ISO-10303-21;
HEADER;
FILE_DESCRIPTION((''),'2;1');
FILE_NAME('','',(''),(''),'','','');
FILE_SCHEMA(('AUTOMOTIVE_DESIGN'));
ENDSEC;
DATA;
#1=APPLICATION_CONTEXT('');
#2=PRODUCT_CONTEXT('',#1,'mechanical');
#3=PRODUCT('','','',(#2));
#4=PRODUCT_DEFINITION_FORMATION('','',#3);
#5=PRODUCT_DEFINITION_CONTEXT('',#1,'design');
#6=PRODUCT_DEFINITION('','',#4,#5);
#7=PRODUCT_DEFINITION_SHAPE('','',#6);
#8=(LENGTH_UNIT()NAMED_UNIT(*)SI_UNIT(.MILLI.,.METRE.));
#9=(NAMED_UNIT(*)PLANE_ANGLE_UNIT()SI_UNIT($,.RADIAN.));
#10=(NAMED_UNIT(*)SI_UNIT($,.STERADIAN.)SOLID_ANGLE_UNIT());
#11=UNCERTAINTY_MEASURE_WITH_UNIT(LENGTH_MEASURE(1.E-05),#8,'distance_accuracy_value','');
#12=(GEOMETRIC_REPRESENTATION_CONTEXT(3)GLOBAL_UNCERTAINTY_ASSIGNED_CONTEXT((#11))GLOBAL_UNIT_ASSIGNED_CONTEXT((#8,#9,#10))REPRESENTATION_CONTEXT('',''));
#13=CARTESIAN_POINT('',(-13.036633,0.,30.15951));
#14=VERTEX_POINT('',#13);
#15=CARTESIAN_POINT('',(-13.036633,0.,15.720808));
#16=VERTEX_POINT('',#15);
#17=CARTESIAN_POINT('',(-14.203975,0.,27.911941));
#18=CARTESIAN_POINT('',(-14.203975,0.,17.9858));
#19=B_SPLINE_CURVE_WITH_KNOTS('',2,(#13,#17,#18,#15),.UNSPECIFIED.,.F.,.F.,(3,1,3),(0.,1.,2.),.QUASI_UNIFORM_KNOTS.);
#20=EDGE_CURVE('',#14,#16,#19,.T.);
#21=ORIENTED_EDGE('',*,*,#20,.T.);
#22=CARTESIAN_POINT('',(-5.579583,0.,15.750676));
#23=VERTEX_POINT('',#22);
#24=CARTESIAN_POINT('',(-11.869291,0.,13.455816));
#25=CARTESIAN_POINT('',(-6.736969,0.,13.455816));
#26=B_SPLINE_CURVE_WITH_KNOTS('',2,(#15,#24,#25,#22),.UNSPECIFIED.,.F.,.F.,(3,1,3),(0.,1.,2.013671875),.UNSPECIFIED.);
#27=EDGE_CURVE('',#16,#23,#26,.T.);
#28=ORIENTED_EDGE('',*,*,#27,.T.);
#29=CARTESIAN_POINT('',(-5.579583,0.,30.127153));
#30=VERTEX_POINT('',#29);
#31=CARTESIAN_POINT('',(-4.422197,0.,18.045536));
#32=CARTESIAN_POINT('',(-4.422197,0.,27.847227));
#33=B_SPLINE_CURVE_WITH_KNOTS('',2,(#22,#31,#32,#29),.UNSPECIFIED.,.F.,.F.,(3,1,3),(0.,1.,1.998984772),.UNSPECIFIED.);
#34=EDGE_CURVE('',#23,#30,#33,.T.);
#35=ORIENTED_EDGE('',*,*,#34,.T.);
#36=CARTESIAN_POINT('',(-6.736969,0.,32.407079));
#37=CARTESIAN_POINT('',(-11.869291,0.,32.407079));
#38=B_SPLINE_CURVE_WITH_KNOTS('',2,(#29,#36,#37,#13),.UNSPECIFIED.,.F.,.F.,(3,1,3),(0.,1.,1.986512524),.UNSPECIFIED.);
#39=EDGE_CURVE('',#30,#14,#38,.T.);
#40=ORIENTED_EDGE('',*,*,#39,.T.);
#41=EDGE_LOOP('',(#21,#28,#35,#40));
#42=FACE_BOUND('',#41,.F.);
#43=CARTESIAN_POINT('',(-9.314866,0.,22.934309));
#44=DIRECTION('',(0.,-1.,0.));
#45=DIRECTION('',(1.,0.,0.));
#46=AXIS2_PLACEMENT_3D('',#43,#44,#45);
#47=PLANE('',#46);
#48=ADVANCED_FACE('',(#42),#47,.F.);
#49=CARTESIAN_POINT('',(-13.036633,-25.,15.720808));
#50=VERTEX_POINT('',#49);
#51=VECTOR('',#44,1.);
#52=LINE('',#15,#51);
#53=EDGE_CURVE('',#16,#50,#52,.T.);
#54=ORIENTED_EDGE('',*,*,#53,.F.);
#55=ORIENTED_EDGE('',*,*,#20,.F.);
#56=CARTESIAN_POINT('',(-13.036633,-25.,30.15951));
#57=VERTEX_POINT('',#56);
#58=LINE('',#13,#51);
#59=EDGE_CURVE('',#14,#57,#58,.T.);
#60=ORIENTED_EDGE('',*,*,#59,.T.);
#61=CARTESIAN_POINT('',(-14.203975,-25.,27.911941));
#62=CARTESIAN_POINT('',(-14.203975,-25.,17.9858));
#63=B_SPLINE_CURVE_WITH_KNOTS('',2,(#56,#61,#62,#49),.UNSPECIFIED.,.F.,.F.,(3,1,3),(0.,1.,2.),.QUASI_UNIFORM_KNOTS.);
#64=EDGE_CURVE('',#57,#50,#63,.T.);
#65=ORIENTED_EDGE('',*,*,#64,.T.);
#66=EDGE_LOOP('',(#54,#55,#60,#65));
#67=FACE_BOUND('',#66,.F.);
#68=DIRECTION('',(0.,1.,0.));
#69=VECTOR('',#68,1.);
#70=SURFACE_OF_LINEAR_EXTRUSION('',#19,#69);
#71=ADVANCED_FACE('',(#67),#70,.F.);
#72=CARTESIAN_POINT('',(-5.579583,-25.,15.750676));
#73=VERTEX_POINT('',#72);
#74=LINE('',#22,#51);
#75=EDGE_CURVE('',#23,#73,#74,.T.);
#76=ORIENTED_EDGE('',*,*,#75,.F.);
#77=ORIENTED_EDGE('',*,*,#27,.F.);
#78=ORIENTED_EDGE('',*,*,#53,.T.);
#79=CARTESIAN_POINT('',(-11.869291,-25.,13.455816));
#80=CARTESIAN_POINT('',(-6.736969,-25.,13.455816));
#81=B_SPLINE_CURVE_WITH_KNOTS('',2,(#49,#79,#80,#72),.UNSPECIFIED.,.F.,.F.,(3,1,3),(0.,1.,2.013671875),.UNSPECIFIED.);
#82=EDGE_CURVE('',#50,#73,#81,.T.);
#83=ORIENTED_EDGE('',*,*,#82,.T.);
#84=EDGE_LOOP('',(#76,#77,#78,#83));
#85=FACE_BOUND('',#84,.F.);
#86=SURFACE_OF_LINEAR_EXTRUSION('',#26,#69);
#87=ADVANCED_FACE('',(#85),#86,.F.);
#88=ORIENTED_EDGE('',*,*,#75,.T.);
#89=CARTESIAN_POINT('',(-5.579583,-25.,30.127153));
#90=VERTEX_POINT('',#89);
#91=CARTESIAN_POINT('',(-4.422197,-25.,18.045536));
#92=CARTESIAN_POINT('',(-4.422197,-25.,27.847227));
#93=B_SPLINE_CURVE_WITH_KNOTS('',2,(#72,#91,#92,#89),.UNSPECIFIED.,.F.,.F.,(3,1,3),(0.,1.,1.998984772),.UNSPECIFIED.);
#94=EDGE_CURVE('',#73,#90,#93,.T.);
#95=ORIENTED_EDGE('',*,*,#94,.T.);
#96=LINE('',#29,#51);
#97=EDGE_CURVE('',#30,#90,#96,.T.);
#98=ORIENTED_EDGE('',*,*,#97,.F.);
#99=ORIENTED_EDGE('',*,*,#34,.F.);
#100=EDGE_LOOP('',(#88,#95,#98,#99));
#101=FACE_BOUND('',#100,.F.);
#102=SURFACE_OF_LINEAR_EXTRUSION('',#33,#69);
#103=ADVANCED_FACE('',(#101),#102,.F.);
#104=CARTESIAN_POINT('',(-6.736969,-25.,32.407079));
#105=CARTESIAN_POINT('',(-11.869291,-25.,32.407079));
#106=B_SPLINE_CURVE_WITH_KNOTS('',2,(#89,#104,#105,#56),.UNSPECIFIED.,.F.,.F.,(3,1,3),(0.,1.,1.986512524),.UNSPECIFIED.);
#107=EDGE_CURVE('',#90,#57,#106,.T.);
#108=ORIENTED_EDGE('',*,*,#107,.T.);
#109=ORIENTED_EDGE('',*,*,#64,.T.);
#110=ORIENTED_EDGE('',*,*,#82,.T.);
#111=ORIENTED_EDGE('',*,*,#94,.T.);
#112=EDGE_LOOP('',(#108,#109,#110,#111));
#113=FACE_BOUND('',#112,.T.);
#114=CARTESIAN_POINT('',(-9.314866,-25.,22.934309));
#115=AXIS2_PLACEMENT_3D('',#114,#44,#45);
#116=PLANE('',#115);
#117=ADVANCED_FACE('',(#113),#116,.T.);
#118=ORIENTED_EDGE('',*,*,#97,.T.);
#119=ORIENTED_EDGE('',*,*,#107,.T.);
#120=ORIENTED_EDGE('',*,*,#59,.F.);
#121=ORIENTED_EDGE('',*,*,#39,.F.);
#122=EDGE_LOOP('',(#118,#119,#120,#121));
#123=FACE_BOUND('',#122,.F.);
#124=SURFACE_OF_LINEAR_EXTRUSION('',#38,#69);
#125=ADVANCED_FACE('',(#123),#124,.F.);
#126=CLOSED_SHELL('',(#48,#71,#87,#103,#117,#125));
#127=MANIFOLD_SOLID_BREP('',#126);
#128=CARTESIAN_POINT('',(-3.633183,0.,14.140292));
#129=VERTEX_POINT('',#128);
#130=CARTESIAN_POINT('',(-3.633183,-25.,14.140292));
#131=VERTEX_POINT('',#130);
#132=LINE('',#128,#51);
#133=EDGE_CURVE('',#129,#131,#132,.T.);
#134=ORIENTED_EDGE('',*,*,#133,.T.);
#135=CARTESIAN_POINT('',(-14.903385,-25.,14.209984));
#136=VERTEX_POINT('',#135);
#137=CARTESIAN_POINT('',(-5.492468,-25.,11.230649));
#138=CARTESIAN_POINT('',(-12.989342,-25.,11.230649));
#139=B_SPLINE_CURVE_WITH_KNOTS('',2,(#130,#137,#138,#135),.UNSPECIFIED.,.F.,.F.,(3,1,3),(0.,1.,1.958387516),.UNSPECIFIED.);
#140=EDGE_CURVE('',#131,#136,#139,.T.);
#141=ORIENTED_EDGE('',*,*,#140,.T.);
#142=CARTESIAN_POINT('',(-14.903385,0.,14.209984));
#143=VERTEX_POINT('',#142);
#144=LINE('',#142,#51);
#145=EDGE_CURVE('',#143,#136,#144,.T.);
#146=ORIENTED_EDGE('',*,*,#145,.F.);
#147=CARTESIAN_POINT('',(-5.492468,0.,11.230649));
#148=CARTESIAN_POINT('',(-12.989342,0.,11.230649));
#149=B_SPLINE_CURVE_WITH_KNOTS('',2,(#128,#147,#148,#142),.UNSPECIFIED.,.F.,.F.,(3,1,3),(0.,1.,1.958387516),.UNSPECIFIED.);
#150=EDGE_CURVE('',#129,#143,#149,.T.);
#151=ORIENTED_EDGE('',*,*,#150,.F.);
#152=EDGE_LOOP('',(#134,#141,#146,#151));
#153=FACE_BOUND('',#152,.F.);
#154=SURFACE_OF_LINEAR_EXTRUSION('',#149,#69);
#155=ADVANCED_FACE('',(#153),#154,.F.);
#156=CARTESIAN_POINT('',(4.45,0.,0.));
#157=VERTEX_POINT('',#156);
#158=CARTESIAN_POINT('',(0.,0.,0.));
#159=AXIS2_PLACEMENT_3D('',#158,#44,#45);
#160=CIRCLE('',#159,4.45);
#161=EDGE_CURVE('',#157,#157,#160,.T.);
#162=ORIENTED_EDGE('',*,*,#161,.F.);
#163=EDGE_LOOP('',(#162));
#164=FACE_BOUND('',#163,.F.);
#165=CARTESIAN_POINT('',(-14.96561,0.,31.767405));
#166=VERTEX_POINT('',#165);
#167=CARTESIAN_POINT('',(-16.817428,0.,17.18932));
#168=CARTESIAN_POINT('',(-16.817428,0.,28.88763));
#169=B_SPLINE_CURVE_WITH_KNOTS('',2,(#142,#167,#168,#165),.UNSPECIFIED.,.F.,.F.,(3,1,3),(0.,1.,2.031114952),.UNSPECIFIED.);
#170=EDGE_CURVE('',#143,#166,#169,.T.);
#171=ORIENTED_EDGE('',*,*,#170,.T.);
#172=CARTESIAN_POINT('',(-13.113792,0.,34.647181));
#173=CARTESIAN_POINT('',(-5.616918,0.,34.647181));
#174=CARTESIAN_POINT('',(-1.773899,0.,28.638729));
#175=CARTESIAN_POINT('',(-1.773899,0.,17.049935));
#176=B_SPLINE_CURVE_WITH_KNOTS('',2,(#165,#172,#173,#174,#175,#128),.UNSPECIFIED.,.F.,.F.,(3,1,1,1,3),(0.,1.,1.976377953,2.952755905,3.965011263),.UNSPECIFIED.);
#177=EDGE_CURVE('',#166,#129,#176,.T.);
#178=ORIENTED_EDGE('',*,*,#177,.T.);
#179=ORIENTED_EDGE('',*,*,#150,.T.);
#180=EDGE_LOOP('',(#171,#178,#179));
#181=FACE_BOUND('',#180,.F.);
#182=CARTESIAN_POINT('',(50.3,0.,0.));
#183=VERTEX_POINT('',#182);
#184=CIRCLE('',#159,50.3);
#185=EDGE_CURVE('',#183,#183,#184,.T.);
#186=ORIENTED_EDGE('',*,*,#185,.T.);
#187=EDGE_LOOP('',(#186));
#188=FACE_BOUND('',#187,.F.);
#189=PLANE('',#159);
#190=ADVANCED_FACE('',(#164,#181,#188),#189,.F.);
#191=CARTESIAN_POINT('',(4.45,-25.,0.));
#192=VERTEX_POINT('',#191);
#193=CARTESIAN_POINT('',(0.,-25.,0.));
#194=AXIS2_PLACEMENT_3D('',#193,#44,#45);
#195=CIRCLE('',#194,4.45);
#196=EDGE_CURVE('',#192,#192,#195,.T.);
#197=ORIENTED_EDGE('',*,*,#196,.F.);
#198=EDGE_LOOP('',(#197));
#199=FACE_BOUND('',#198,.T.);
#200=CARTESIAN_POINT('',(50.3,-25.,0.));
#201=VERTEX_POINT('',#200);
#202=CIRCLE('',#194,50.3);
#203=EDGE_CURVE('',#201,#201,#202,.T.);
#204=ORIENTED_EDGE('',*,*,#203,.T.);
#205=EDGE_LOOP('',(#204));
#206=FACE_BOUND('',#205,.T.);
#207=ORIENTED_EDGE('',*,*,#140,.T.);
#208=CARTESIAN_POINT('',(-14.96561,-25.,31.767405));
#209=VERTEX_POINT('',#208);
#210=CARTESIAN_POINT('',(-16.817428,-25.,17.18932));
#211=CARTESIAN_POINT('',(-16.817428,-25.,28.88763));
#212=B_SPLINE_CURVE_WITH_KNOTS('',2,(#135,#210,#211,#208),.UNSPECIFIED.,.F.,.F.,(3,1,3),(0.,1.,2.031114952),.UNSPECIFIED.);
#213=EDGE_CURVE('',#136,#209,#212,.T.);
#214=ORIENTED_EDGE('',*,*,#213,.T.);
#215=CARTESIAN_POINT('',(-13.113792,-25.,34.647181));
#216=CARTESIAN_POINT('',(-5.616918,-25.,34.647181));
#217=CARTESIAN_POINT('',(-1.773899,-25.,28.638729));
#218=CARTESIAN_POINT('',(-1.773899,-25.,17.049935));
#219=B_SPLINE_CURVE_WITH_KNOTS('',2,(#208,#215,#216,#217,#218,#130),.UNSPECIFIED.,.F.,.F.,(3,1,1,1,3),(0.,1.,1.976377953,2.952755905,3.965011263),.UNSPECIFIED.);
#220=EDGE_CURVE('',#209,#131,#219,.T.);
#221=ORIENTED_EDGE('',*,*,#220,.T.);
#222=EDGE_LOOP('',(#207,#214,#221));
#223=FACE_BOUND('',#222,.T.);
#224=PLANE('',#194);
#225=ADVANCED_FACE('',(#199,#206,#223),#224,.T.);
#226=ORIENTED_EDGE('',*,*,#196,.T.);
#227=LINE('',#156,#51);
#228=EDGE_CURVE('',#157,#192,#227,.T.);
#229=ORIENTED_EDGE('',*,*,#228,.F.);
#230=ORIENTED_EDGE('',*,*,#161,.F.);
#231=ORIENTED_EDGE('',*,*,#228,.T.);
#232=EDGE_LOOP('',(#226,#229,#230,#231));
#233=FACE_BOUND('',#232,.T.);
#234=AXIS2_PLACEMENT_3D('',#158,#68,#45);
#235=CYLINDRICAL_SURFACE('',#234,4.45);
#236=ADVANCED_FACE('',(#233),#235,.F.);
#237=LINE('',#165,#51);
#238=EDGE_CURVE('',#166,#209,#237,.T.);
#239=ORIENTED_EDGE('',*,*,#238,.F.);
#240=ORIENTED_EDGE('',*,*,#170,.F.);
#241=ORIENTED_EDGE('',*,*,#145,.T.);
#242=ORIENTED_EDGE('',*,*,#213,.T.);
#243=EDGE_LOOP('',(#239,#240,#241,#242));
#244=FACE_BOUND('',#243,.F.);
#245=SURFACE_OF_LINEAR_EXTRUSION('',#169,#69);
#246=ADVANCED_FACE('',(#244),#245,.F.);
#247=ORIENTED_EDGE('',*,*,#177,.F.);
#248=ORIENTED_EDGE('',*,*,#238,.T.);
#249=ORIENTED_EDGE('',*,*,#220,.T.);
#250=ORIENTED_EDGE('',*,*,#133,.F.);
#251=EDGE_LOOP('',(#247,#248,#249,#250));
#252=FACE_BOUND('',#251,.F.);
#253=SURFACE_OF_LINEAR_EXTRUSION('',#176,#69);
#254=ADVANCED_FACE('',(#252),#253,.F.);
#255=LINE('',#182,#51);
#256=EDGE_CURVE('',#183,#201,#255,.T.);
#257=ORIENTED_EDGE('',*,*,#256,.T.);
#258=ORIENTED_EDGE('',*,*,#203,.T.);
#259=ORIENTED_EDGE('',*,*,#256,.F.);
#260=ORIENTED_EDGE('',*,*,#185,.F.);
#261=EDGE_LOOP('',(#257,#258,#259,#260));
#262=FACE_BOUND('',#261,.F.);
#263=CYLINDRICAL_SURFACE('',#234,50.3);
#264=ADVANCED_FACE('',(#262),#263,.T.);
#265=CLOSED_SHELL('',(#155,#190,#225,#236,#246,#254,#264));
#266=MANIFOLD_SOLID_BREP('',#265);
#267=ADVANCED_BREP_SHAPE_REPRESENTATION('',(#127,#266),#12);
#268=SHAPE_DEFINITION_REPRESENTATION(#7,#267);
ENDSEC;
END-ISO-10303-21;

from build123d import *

# Parameters (mm, degrees)
F0_R     = 50.3
F0_R_2   = 4.45
F1_DEPTH = 25


with BuildPart() as f1:
    # F0 (on Front) → F1 (new body)
    with BuildSketch(Plane.XZ):
        Circle(F0_R)
        with BuildLine():
            Line((-20.1128664655, 13.9386828326), (-20.1128664655, 11.5442627879))
            Line((-20.1128664655, 11.5442627879), (-35.061813231, 11.5442627879))
            Line((-35.061813231, 11.5442627879), (-35.061813231, 13.7694306881))
            Line((-35.061813231, 13.7694306881), (-29.0732741172, 19.7878378275))
            add(Edge.make_bspline(
                [(-29.0732741172, 19.7878378275), (-26.3353717792, 22.5605861952), (-25.4642210353, 23.7428622048)],
                knots=[0, 0, 0, 1, 1, 1], degree=2))
            add(Edge.make_bspline(
                [(-25.4642210353, 23.7428622048), (-24.5930702913, 24.9251382144), (-24.1574949194, 26.0451891709)],
                knots=[0, 0, 0, 1, 1, 1], degree=2))
            add(Edge.make_bspline(
                [(-24.1574949194, 26.0451891709), (-23.7219195474, 27.1652401273), (-23.7219195474, 28.4545432283)],
                knots=[0, 0, 0, 1, 1, 1], degree=2))
            add(Edge.make_bspline(
                [(-23.7219195474, 28.4545432283), (-23.7219195474, 30.2764927841), (-24.8270364911, 31.3417856938)],
                knots=[0, 0, 0, 1, 1, 1], degree=2))
            add(Edge.make_bspline(
                [(-24.8270364911, 31.3417856938), (-25.9321534348, 32.4070786035), (-27.8934871097, 32.4070786035)],
                knots=[0, 0, 0, 1, 1, 1], degree=2))
            add(Edge.make_bspline(
                [(-27.8934871097, 32.4070786035), (-29.307240317, 32.4070786035), (-30.5766314009, 31.9391462039)],
                knots=[0, 0, 0, 1, 1, 1], degree=2))
            add(Edge.make_bspline(
                [(-30.5766314009, 31.9391462039), (-31.8460224849, 31.4712138044), (-33.3991598112, 30.2416467544)],
                knots=[0, 0, 0, 1, 1, 1], degree=2))
            Line((-33.3991598112, 30.2416467544), (-34.7681109802, 31.998882255))
            add(Edge.make_bspline(
                [(-34.7681109802, 31.998882255), (-31.6269902979, 34.6123344867), (-27.9233551352, 34.6123344867)],
                knots=[0, 0, 0, 1, 1, 1], degree=2))
            add(Edge.make_bspline(
                [(-27.9233551352, 34.6123344867), (-24.7175203976, 34.6123344867), (-22.8980598439, 32.972082086)],
                knots=[0, 0, 0, 1, 1, 1], degree=2))
            add(Edge.make_bspline(
                [(-22.8980598439, 32.972082086), (-21.0785992902, 31.3318296853), (-21.0785992902, 28.5640593218)],
                knots=[0, 0, 0, 1, 1, 1], degree=2))
            add(Edge.make_bspline(
                [(-21.0785992902, 28.5640593218), (-21.0785992902, 26.3986274727), (-22.2932323274, 24.282975666)],
                knots=[0, 0, 0, 1, 1, 1], degree=2))
            add(Edge.make_bspline(
                [(-22.2932323274, 24.282975666), (-23.5078653646, 22.1673238594), (-26.8331722043, 18.9316210963)],
                knots=[0, 0, 0, 1, 1, 1], degree=2))
            Line((-26.8331722043, 18.9316210963), (-31.8111764552, 14.0631329389))
            Line((-31.8111764552, 14.0631329389), (-31.8111764552, 13.9386828326))
            Line((-31.8111764552, 13.9386828326), (-20.1128664655, 13.9386828326))
        make_face(mode=Mode.SUBTRACT)
        with BuildLine():
            add(Edge.make_bspline(
                [(-3.695408446, 31.642954951), (-1.7738988051, 28.6387293856), (-1.7738988051, 22.9488705268)],
                knots=[0, 0, 0, 1, 1, 1], degree=2))
            add(Edge.make_bspline(
                [(-1.7738988051, 22.9488705268), (-1.7738988051, 17.0499354895), (-3.6331833929, 14.1402920048)],
                knots=[0, 0, 0, 1, 1, 1], degree=2))
            add(Edge.make_bspline(
                [(-3.6331833929, 14.1402920048), (-5.4924679806, 11.2306485201), (-9.3205532495, 11.2306485201)],
                knots=[0, 0, 0, 1, 1, 1], degree=2))
            add(Edge.make_bspline(
                [(-9.3205532495, 11.2306485201), (-12.9893423825, 11.2306485201), (-14.9033850169, 14.2099840643)],
                knots=[0, 0, 0, 1, 1, 1], degree=2))
            add(Edge.make_bspline(
                [(-14.9033850169, 14.2099840643), (-16.8174276514, 17.1893196085), (-16.8174276514, 22.9488705268)],
                knots=[0, 0, 0, 1, 1, 1], degree=2))
            add(Edge.make_bspline(
                [(-16.8174276514, 22.9488705268), (-16.8174276514, 28.8876295981), (-14.9656100701, 31.7674050573)],
                knots=[0, 0, 0, 1, 1, 1], degree=2))
            add(Edge.make_bspline(
                [(-14.9656100701, 31.7674050573), (-13.1137924887, 34.6471805164), (-9.3205532495, 34.6471805164)],
                knots=[0, 0, 0, 1, 1, 1], degree=2))
            add(Edge.make_bspline(
                [(-9.3205532495, 34.6471805164), (-5.6169180869, 34.6471805164), (-3.695408446, 31.642954951)],
                knots=[0, 0, 0, 1, 1, 1], degree=2))
        make_face(mode=Mode.SUBTRACT)
        Circle(F0_R_2, mode=Mode.SUBTRACT)
        with BuildLine():
            Line((10.9299680432, 34.2887642104), (10.9299680432, 11.5442627879))
            Line((10.9299680432, 11.5442627879), (8.4110978922, 11.5442627879))
            Line((8.4110978922, 11.5442627879), (8.4110978922, 27.7526446289))
            add(Edge.make_bspline(
                [(8.4110978922, 27.7526446289), (8.4110978922, 29.778692359), (8.5355479985, 31.5807298979)],
                knots=[0, 0, 0, 1, 1, 1], degree=2))
            add(Edge.make_bspline(
                [(8.5355479985, 31.5807298979), (8.2119777222, 31.2521816173), (7.8062703757, 30.8962543134)],
                knots=[0, 0, 0, 1, 1, 1], degree=2))
            add(Edge.make_bspline(
                [(7.8062703757, 30.8962543134), (7.4005630293, 30.5403270094), (4.1051242152, 27.8621607224)],
                knots=[0, 0, 0, 1, 1, 1], degree=2))
            Line((4.1051242152, 27.8621607224), (2.7361730462, 29.6343302358))
            Line((2.7361730462, 29.6343302358), (8.7545801855, 34.2887642104))
            Line((8.7545801855, 34.2887642104), (10.9299680432, 34.2887642104))
        make_face(mode=Mode.SUBTRACT)
        Polygon((25.3213783326, 11.5442627879), (22.4590258883, 11.5442627879), (31.8823879353, 31.9092781784), (19.4871573505, 31.9092781784), (19.4871573505, 34.2887642104), (34.6202902733, 34.2887642104), (34.6202902733, 32.217914442), align=None, mode=Mode.SUBTRACT)
        with BuildLine():
            Line((-35.061813231, 11.5442627879), (-20.1128664655, 11.5442627879))
            Line((-20.1128664655, 11.5442627879), (-20.1128664655, 13.9386828326))
            Line((-20.1128664655, 13.9386828326), (-31.8111764552, 13.9386828326))
            Line((-31.8111764552, 13.9386828326), (-31.8111764552, 14.0631329389))
            Line((-31.8111764552, 14.0631329389), (-26.8331722043, 18.9316210963))
            add(Edge.make_bspline(
                [(-22.2932323274, 24.282975666), (-23.5078653646, 22.1673238594), (-26.8331722043, 18.9316210963)],
                knots=[0, 0, 0, 1, 1, 1], degree=2))
            add(Edge.make_bspline(
                [(-21.0785992902, 28.5640593218), (-21.0785992902, 26.3986274727), (-22.2932323274, 24.282975666)],
                knots=[0, 0, 0, 1, 1, 1], degree=2))
            add(Edge.make_bspline(
                [(-22.8980598439, 32.972082086), (-21.0785992902, 31.3318296853), (-21.0785992902, 28.5640593218)],
                knots=[0, 0, 0, 1, 1, 1], degree=2))
            add(Edge.make_bspline(
                [(-27.9233551352, 34.6123344867), (-24.7175203976, 34.6123344867), (-22.8980598439, 32.972082086)],
                knots=[0, 0, 0, 1, 1, 1], degree=2))
            add(Edge.make_bspline(
                [(-34.7681109802, 31.998882255), (-31.6269902979, 34.6123344867), (-27.9233551352, 34.6123344867)],
                knots=[0, 0, 0, 1, 1, 1], degree=2))
            Line((-34.7681109802, 31.998882255), (-33.3991598112, 30.2416467544))
            add(Edge.make_bspline(
                [(-30.5766314009, 31.9391462039), (-31.8460224849, 31.4712138044), (-33.3991598112, 30.2416467544)],
                knots=[0, 0, 0, 1, 1, 1], degree=2))
            add(Edge.make_bspline(
                [(-27.8934871097, 32.4070786035), (-29.307240317, 32.4070786035), (-30.5766314009, 31.9391462039)],
                knots=[0, 0, 0, 1, 1, 1], degree=2))
            add(Edge.make_bspline(
                [(-24.8270364911, 31.3417856938), (-25.9321534348, 32.4070786035), (-27.8934871097, 32.4070786035)],
                knots=[0, 0, 0, 1, 1, 1], degree=2))
            add(Edge.make_bspline(
                [(-23.7219195474, 28.4545432283), (-23.7219195474, 30.2764927841), (-24.8270364911, 31.3417856938)],
                knots=[0, 0, 0, 1, 1, 1], degree=2))
            add(Edge.make_bspline(
                [(-24.1574949194, 26.0451891709), (-23.7219195474, 27.1652401273), (-23.7219195474, 28.4545432283)],
                knots=[0, 0, 0, 1, 1, 1], degree=2))
            add(Edge.make_bspline(
                [(-25.4642210353, 23.7428622048), (-24.5930702913, 24.9251382144), (-24.1574949194, 26.0451891709)],
                knots=[0, 0, 0, 1, 1, 1], degree=2))
            add(Edge.make_bspline(
                [(-29.0732741172, 19.7878378275), (-26.3353717792, 22.5605861952), (-25.4642210353, 23.7428622048)],
                knots=[0, 0, 0, 1, 1, 1], degree=2))
            Line((-29.0732741172, 19.7878378275), (-35.061813231, 13.7694306881))
            Line((-35.061813231, 13.7694306881), (-35.061813231, 11.5442627879))
        make_face()
        with BuildLine():
            add(Edge.make_bspline(
                [(-13.0366334228, 30.1595096842), (-14.2039754197, 27.911940765), (-14.2039754197, 22.9488705268)],
                knots=[0, 0, 0, 1, 1, 1], degree=2))
            add(Edge.make_bspline(
                [(-14.2039754197, 22.9488705268), (-14.2039754197, 17.9858002886), (-13.0366334228, 15.7208083545)],
                knots=[0, 0, 0, 1, 1, 1], degree=2))
            add(Edge.make_bspline(
                [(-13.0366334228, 15.7208083545), (-11.869291426, 13.4558164203), (-9.3205532495, 13.4558164203)],
                knots=[0, 0, 0, 1, 1, 1], degree=2))
            add(Edge.make_bspline(
                [(-9.3205532495, 13.4558164203), (-6.7369690433, 13.4558164203), (-5.579583055, 15.75067638)],
                knots=[0, 0, 0, 1, 1, 1], degree=2))
            add(Edge.make_bspline(
                [(-5.579583055, 15.75067638), (-4.4221970666, 18.0455363396), (-4.4221970666, 22.9488705268)],
                knots=[0, 0, 0, 1, 1, 1], degree=2))
            add(Edge.make_bspline(
                [(-4.4221970666, 22.9488705268), (-4.4221970666, 27.8472267097), (-5.579583055, 30.1271526566)],
                knots=[0, 0, 0, 1, 1, 1], degree=2))
            add(Edge.make_bspline(
                [(-5.579583055, 30.1271526566), (-6.7369690433, 32.4070786035), (-9.3205532495, 32.4070786035)],
                knots=[0, 0, 0, 1, 1, 1], degree=2))
            add(Edge.make_bspline(
                [(-9.3205532495, 32.4070786035), (-11.869291426, 32.4070786035), (-13.0366334228, 30.1595096842)],
                knots=[0, 0, 0, 1, 1, 1], degree=2))
        make_face()
        with BuildLine():
            Line((8.4110978922, 11.5442627879), (10.9299680432, 11.5442627879))
            Line((10.9299680432, 11.5442627879), (10.9299680432, 34.2887642104))
            Line((10.9299680432, 34.2887642104), (8.7545801855, 34.2887642104))
            Line((8.7545801855, 34.2887642104), (2.7361730462, 29.6343302358))
            Line((2.7361730462, 29.6343302358), (4.1051242152, 27.8621607224))
            add(Edge.make_bspline(
                [(7.8062703757, 30.8962543134), (7.4005630293, 30.5403270094), (4.1051242152, 27.8621607224)],
                knots=[0, 0, 0, 1, 1, 1], degree=2))
            add(Edge.make_bspline(
                [(8.5355479985, 31.5807298979), (8.2119777222, 31.2521816173), (7.8062703757, 30.8962543134)],
                knots=[0, 0, 0, 1, 1, 1], degree=2))
            add(Edge.make_bspline(
                [(8.4110978922, 27.7526446289), (8.4110978922, 29.778692359), (8.5355479985, 31.5807298979)],
                knots=[0, 0, 0, 1, 1, 1], degree=2))
            Line((8.4110978922, 27.7526446289), (8.4110978922, 11.5442627879))
        make_face()
        Polygon((31.8823879353, 31.9092781784), (22.4590258883, 11.5442627879), (25.3213783326, 11.5442627879), (34.6202902733, 32.217914442), (34.6202902733, 34.2887642104), (19.4871573505, 34.2887642104), (19.4871573505, 31.9092781784), align=None)
    extrude(amount=F1_DEPTH)


solid = f1.part
